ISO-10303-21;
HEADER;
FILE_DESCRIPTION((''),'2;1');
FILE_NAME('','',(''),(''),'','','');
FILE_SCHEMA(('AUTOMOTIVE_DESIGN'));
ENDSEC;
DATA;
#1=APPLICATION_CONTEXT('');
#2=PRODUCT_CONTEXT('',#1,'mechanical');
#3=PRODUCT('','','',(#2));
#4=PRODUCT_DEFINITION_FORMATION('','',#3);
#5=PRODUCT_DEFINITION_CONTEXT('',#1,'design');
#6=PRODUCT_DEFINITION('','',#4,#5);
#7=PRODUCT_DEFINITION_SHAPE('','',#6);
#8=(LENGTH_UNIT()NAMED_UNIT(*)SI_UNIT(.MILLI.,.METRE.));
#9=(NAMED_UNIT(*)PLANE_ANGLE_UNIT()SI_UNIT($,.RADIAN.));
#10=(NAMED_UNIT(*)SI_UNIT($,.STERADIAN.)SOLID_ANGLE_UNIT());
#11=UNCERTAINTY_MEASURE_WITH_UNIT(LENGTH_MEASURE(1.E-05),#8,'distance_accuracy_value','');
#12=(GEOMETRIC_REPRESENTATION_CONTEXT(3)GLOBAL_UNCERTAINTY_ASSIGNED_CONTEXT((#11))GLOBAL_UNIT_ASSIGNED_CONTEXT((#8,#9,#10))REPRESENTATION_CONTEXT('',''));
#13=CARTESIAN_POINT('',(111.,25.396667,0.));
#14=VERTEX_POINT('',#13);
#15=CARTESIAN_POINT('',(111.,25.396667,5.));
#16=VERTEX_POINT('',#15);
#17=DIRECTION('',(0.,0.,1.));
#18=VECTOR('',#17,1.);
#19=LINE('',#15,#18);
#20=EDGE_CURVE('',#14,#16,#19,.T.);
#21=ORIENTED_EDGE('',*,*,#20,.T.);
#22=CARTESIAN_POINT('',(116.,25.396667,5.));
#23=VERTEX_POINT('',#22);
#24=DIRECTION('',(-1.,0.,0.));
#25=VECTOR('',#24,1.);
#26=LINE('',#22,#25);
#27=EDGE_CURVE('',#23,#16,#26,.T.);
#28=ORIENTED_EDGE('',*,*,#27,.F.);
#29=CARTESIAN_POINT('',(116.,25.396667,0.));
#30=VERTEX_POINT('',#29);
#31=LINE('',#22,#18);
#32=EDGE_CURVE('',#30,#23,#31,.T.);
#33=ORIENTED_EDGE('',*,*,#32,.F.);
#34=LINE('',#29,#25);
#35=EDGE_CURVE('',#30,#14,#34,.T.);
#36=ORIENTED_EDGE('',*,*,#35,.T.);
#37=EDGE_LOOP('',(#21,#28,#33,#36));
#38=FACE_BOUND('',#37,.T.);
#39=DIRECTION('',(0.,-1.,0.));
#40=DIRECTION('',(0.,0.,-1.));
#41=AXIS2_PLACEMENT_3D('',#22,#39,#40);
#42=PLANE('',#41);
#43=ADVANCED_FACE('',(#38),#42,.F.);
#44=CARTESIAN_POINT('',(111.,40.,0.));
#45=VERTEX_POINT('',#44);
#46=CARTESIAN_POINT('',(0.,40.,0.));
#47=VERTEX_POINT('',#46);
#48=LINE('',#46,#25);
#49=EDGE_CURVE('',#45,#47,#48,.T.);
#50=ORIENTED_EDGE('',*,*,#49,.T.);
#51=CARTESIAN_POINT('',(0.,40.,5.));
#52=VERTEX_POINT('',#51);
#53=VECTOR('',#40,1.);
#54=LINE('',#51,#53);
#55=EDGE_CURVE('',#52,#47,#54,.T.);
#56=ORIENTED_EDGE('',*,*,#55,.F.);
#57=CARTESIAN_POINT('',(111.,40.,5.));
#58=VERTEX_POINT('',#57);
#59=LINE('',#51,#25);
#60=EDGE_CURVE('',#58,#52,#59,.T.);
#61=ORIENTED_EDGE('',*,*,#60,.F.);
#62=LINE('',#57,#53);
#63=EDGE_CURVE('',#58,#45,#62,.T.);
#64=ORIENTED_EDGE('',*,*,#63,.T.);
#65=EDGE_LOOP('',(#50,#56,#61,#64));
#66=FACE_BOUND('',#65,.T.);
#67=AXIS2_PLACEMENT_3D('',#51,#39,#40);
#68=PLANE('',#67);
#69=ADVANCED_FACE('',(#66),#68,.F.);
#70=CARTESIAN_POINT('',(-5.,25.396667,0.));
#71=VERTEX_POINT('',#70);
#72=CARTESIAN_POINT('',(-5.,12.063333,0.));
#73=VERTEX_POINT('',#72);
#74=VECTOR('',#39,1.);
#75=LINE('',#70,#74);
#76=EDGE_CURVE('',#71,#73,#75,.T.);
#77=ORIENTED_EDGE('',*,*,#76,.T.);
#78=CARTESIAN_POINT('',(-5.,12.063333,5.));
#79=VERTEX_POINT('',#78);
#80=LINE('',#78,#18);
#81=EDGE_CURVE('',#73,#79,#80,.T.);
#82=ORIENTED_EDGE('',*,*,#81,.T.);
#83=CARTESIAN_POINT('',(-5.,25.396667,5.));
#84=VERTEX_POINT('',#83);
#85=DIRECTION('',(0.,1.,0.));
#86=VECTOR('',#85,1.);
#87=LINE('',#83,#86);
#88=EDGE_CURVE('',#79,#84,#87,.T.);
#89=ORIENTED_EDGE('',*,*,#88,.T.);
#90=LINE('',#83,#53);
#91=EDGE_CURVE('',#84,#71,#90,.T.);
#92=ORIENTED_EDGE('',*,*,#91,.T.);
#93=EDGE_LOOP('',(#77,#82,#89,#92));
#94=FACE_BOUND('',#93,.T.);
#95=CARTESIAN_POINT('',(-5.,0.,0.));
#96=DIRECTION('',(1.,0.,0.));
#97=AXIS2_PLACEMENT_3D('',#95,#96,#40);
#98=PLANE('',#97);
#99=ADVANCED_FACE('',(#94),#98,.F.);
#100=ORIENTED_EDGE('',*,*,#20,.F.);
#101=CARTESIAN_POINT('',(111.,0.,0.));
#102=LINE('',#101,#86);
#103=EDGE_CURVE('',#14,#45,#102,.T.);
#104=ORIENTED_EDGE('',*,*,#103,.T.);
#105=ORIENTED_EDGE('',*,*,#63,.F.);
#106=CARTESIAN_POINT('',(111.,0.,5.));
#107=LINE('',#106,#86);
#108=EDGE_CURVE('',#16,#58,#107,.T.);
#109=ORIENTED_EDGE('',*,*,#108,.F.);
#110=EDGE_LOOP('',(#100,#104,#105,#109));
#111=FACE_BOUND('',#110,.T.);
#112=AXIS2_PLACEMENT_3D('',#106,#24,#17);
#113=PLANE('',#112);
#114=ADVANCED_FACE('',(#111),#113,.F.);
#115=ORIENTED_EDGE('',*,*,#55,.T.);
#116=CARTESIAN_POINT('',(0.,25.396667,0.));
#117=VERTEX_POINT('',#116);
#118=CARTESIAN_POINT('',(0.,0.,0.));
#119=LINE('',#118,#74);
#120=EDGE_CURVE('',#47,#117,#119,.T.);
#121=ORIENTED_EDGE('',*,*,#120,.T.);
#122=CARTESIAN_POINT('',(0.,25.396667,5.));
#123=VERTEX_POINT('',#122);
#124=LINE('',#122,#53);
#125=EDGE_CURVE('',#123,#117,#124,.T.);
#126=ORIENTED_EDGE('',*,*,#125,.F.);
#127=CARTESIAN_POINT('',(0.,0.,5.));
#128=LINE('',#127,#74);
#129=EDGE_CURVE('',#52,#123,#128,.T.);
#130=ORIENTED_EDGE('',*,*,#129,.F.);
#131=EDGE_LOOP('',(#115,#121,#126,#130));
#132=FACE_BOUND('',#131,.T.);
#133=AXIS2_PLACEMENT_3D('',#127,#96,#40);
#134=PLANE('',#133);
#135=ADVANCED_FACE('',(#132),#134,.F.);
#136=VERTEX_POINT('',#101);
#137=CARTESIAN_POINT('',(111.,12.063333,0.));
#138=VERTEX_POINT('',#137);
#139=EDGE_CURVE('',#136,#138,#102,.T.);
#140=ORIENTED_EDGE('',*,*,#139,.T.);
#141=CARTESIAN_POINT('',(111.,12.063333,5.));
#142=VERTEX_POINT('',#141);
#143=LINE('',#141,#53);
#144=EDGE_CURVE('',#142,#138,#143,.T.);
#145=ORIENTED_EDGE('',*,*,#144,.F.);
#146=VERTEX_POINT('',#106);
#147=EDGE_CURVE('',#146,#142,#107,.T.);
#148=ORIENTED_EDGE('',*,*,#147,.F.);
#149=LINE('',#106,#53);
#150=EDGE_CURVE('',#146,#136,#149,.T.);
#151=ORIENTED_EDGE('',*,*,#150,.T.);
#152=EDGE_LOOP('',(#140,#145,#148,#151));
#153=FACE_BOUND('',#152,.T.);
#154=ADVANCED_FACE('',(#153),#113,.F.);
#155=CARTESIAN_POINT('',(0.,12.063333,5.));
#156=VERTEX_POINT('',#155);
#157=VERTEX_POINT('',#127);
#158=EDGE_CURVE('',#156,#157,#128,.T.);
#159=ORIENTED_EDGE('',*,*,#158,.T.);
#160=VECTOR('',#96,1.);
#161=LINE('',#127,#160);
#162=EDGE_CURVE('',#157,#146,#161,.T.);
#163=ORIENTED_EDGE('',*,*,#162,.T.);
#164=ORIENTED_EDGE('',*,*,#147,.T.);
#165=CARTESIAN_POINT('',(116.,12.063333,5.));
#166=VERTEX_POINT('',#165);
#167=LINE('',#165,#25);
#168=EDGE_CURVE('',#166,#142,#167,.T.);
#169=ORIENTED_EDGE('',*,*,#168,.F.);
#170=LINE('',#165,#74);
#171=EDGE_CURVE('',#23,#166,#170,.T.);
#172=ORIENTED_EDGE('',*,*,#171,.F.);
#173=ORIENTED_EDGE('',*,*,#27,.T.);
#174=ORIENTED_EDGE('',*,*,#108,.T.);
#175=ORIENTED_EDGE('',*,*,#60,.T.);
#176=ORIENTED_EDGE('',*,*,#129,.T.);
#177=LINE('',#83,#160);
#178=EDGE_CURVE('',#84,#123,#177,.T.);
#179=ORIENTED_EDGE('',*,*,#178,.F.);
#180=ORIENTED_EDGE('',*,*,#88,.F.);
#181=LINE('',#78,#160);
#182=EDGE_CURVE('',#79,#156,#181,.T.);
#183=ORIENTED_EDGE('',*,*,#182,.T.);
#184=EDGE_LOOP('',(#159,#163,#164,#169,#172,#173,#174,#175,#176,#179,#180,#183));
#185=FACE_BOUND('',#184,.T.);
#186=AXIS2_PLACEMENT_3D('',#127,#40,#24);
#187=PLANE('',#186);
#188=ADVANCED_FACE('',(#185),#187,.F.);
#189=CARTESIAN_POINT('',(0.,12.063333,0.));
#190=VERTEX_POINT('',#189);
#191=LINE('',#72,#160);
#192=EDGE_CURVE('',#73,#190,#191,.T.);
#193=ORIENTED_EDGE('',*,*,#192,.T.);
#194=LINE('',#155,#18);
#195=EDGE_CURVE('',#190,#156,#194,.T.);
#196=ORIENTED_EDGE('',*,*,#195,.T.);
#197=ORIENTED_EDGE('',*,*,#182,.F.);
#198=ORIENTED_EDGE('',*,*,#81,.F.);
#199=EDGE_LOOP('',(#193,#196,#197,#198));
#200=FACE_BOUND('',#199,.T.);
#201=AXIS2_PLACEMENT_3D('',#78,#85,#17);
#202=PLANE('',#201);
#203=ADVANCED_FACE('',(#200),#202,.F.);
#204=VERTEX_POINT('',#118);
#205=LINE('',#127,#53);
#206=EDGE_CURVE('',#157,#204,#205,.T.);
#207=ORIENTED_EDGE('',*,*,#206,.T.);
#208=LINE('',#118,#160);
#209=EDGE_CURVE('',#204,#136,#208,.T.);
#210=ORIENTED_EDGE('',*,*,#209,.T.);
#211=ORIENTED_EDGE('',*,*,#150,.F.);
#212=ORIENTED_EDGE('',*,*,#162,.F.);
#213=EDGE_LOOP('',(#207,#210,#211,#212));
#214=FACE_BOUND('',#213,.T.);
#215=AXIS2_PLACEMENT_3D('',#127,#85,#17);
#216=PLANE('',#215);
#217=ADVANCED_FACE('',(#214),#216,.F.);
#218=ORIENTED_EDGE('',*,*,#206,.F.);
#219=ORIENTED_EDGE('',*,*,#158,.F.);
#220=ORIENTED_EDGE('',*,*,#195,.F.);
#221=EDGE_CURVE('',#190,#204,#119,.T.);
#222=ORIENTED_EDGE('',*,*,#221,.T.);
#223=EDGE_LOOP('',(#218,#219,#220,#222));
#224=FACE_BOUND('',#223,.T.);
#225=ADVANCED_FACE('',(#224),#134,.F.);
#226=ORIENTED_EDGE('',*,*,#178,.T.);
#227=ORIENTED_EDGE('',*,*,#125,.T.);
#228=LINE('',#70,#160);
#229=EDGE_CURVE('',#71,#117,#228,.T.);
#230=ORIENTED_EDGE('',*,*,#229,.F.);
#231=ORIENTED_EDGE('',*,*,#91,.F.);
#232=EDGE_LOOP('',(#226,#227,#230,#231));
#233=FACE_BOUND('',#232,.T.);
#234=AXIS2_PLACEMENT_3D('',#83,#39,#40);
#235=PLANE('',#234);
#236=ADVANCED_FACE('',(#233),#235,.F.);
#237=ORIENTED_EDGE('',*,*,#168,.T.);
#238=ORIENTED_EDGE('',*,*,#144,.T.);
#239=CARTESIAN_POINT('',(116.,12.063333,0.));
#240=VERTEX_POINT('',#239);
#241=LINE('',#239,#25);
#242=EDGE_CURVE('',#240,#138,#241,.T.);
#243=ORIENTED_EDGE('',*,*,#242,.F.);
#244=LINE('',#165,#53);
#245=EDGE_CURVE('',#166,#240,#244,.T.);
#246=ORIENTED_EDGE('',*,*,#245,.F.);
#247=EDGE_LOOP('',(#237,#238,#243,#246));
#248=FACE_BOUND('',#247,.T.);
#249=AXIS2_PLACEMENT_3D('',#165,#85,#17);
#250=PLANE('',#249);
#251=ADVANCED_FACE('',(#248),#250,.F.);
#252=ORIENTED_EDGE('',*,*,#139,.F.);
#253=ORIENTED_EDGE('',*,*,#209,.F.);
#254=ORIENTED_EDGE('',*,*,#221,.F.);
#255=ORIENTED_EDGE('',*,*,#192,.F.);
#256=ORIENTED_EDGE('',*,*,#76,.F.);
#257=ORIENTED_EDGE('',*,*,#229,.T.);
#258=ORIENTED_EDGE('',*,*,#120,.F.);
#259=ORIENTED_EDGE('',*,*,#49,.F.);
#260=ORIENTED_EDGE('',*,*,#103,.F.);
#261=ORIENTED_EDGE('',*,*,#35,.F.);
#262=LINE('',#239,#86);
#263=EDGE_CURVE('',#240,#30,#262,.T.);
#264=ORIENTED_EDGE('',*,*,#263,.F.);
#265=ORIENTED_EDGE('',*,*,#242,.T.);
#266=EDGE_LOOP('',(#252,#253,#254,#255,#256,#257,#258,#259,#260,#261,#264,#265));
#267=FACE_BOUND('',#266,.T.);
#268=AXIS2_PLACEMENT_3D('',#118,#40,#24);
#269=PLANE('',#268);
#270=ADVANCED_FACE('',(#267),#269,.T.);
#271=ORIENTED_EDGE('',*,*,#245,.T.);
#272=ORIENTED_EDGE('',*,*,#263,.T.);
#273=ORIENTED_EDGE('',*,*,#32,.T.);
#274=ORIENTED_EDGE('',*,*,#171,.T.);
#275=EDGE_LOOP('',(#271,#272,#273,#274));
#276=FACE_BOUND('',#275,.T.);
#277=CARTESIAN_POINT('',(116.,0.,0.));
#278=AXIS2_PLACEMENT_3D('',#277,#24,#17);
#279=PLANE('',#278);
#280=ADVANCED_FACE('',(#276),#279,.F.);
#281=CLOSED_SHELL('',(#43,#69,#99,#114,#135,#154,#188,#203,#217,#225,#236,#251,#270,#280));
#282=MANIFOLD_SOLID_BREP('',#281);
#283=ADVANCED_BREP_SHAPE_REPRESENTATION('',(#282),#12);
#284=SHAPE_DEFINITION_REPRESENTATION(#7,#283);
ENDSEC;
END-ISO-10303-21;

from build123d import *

# Parameters (mm, degrees)
CROQUIS1_W              = 111
CROQUIS1_H              = 40
SALIENTE_EXTRUIR1_DEPTH = 5
CROQUIS2_W              = 5
CROQUIS2_H              = 13.333333333
SALIENTE_EXTRUIR2_DEPTH = 5
CROQUIS3_W              = 5
CROQUIS3_H              = 13.333333333
SALIENTE_EXTRUIR3_DEPTH = 5


with BuildPart() as part:
    # Croquis1 → Saliente-Extruir1 (new body)
    with BuildSketch(Plane.XY):
        with Locations((55.5, 20)):
            Rectangle(CROQUIS1_W, CROQUIS1_H)
    extrude(amount=SALIENTE_EXTRUIR1_DEPTH)

    # Croquis2 → Saliente-Extruir2 (add)
    with BuildSketch(Plane(origin=(111, 0, 0), x_dir=(0, 0, -1), z_dir=(1, 0, 0))):
        with Locations((-2.5, 18.729999967)):
            Rectangle(CROQUIS2_W, CROQUIS2_H)
    extrude(amount=SALIENTE_EXTRUIR2_DEPTH)

    # Croquis3 → Saliente-Extruir3 (add)
    with BuildSketch(Plane.ZY):
        with Locations((2.5, 18.729999967)):
            Rectangle(CROQUIS3_W, CROQUIS3_H)
    extrude(amount=SALIENTE_EXTRUIR3_DEPTH)


solid = part.part
